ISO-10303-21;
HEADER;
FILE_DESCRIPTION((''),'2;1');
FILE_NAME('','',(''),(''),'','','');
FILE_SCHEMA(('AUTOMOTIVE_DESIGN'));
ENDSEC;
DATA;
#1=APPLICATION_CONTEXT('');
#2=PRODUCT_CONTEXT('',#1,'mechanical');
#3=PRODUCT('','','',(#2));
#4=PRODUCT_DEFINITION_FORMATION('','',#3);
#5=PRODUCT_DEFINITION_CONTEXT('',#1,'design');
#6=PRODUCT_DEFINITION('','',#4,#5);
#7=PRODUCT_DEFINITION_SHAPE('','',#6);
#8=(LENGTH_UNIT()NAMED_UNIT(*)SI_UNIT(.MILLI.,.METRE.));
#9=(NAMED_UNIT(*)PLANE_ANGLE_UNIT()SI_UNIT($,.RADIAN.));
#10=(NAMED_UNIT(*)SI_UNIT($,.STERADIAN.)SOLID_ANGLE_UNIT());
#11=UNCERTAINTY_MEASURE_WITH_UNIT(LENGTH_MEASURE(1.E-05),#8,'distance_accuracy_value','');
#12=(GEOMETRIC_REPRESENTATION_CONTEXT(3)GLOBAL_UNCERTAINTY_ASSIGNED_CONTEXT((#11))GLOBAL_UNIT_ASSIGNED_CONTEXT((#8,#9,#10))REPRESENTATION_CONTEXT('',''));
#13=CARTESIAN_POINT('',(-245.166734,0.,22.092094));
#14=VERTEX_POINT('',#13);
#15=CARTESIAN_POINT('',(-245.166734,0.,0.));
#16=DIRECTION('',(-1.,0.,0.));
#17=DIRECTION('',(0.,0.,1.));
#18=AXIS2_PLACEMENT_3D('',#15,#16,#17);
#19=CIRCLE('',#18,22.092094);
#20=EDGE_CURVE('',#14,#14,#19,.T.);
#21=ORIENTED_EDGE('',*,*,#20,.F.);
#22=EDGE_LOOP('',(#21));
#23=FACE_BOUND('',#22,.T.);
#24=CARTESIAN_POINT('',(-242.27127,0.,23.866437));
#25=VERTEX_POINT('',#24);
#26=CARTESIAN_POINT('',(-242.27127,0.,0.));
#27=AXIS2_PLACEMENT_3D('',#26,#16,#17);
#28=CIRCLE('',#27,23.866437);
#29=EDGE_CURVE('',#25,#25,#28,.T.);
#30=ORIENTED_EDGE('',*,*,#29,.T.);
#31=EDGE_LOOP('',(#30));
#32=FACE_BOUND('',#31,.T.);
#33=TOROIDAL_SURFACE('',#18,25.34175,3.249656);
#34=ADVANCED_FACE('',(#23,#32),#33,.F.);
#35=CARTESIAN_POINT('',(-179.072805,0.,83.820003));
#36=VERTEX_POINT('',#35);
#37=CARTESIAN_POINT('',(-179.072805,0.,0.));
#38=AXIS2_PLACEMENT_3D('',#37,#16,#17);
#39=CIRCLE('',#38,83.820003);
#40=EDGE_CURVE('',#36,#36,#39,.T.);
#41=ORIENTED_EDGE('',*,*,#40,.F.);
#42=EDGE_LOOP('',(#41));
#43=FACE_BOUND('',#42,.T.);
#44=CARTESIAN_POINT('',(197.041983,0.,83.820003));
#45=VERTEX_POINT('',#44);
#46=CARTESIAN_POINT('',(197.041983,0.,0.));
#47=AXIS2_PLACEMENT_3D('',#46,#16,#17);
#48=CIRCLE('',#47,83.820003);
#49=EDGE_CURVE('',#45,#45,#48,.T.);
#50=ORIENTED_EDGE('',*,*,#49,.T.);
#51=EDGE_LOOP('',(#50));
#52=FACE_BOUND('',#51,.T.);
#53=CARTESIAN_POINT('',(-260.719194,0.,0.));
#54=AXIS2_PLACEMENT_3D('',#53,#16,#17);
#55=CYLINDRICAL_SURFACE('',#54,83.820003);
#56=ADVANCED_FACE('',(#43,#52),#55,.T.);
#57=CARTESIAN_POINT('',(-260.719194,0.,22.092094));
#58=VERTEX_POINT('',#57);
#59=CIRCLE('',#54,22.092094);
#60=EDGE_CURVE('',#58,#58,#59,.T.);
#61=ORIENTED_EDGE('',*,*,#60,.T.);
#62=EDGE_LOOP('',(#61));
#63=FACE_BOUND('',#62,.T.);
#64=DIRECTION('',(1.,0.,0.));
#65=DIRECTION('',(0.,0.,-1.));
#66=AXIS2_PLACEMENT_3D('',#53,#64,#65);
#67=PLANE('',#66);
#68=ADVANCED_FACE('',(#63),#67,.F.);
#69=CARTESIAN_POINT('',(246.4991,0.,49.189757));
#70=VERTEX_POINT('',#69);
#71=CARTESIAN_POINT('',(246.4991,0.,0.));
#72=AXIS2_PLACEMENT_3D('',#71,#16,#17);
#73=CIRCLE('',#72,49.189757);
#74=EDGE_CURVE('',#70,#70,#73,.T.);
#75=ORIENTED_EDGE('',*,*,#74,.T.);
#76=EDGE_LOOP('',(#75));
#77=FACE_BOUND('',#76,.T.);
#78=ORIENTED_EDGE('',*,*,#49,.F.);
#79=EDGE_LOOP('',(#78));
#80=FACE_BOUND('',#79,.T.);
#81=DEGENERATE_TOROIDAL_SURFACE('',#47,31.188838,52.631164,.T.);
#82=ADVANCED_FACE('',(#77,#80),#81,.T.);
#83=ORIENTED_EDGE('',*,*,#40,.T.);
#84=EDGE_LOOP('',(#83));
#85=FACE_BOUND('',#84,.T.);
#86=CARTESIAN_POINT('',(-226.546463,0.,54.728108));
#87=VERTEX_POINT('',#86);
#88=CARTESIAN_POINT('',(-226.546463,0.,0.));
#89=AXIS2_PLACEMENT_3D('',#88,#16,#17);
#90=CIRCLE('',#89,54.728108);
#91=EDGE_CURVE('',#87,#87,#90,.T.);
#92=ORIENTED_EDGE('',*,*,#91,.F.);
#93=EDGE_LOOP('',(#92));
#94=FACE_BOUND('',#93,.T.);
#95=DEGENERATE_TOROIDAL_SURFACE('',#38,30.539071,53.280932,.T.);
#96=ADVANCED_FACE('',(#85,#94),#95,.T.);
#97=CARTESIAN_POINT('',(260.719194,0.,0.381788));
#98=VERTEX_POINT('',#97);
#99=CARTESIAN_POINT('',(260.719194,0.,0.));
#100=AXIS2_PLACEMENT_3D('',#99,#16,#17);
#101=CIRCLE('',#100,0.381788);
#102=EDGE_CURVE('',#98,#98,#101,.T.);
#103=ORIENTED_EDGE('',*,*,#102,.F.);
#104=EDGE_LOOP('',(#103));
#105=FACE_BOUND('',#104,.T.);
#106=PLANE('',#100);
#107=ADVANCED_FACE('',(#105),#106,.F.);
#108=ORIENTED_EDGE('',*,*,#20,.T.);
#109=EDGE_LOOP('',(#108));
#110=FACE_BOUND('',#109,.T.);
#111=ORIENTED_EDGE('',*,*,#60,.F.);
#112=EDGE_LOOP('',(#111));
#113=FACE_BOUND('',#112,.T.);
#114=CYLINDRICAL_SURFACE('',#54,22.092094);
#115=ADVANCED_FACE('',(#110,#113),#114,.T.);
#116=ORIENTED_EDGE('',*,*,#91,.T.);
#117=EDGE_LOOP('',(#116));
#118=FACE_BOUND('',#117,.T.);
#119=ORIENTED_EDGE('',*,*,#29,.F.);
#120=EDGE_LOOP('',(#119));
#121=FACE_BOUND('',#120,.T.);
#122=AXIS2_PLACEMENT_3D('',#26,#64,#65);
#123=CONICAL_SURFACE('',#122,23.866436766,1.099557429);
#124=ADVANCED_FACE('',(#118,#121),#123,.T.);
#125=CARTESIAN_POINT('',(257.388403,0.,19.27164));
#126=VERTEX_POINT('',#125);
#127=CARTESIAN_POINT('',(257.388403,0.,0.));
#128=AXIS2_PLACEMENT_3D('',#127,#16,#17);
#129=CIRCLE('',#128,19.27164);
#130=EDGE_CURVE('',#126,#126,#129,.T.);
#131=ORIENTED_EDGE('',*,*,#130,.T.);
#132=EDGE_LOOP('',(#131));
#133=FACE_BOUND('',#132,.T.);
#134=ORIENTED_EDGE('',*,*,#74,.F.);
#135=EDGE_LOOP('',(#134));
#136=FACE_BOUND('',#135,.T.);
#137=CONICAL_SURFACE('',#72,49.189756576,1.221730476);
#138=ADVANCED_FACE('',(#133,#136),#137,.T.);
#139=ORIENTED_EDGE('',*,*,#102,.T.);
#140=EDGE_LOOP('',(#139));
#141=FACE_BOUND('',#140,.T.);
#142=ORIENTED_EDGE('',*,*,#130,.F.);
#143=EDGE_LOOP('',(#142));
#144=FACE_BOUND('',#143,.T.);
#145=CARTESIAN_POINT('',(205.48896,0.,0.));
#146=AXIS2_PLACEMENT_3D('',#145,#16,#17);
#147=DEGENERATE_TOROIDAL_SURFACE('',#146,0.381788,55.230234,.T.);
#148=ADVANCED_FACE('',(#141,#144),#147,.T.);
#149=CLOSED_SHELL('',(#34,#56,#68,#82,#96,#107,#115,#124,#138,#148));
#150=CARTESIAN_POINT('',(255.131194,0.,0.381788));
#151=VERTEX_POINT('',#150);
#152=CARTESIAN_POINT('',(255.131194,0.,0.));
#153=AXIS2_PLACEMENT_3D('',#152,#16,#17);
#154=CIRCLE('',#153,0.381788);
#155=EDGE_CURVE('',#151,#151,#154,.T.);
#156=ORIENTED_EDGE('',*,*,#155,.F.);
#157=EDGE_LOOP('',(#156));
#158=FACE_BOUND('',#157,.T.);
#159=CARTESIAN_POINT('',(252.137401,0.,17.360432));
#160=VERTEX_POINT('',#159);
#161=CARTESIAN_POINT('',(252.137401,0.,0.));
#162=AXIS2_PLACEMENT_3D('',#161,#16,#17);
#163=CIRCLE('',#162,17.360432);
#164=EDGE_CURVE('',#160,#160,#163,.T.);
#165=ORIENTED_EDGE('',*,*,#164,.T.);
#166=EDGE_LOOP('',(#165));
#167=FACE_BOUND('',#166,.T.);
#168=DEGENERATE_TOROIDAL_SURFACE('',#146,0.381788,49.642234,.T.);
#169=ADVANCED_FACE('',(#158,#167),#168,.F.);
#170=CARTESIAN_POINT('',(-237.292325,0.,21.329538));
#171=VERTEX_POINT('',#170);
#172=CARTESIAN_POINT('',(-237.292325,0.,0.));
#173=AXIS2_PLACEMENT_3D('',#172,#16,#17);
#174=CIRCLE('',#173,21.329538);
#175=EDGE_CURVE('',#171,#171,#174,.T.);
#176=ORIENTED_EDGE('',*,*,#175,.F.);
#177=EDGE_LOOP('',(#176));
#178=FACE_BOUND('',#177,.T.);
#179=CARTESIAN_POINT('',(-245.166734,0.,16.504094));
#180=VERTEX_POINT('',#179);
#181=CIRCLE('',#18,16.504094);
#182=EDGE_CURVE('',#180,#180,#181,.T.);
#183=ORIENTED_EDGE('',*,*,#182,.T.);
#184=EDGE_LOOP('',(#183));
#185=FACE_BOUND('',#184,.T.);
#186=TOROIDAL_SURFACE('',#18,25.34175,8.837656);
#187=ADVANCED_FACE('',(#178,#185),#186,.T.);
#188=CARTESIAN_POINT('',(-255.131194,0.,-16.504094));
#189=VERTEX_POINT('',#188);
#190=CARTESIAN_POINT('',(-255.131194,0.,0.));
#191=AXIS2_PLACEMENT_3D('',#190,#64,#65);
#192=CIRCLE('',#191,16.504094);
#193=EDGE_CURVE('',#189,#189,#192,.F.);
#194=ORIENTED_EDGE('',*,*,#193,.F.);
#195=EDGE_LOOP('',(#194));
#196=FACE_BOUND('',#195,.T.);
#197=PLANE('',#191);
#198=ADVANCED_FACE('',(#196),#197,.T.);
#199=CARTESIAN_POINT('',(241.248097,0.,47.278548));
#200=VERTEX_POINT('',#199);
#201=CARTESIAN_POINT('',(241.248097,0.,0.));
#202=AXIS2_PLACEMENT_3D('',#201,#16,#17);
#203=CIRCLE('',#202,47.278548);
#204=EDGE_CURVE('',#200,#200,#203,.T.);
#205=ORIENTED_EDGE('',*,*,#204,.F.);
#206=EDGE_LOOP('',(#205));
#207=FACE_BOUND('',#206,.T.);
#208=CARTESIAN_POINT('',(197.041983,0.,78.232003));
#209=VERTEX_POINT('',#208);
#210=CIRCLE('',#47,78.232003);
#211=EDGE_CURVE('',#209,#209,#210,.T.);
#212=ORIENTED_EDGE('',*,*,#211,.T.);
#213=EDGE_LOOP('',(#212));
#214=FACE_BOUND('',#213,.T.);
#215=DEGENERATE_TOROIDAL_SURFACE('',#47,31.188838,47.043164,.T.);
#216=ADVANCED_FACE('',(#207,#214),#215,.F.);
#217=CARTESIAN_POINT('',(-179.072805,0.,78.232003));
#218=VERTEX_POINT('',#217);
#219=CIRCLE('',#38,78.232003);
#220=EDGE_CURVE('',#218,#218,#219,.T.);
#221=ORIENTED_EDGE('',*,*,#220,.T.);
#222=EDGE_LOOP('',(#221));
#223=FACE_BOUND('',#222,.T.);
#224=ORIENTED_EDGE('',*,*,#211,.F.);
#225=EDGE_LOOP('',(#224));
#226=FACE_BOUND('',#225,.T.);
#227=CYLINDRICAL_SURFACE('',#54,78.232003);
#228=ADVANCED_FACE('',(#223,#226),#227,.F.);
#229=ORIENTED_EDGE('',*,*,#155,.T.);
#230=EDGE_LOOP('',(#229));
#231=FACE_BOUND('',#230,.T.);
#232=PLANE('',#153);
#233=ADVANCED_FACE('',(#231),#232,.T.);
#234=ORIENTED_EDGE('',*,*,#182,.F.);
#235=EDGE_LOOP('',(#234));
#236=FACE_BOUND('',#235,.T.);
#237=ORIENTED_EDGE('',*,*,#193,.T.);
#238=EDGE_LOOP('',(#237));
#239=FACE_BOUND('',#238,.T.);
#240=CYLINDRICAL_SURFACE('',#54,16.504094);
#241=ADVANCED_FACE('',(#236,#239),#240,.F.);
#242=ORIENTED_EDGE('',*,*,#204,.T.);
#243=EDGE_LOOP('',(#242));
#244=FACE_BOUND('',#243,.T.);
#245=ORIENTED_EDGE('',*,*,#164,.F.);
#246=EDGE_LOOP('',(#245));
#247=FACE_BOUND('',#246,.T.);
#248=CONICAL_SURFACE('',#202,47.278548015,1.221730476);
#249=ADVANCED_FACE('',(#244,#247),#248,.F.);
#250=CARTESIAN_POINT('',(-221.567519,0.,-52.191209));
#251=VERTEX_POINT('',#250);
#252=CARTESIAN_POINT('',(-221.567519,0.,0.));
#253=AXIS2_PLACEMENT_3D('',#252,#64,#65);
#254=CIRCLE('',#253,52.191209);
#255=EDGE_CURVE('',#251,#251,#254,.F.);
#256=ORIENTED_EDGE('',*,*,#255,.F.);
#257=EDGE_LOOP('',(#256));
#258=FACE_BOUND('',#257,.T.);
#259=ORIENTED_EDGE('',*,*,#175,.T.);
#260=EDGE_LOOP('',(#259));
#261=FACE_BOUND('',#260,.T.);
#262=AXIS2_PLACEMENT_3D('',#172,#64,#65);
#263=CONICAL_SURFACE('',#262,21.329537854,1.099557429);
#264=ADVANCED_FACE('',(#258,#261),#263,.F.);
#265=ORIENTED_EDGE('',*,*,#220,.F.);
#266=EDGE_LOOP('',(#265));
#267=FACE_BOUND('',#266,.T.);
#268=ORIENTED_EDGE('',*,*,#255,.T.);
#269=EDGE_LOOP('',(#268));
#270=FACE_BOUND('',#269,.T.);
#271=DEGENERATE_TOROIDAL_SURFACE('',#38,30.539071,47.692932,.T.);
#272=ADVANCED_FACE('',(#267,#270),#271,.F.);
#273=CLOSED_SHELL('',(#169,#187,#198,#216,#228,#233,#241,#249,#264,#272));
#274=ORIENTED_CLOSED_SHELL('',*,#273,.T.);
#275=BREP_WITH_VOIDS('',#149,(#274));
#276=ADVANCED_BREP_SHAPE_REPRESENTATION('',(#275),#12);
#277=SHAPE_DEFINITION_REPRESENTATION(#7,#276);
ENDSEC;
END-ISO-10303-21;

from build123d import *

# Parameters (mm, degrees)
SCALE1_SCALE = 649.76746201
SHELL2_T     = 5.588


with BuildPart() as part:
    # Sketch1 → Revolve2 (revolve)
    with BuildSketch(Plane.XY):
        with BuildLine():
            Line((0.30325, 0.129), (-0.275595218, 0.129))
            ThreePointArc((-0.275595218, 0.129), (-0.3184401, 0.116916493), (-0.348657753, 0.084227221))
            Line((-0.348657753, 0.084227221), (-0.372858421, 0.036730735))
            ThreePointArc((-0.372858421, 0.036730735), (-0.374701425, 0.034736985), (-0.377314576, 0.034))
            Line((-0.377314576, 0.034), (-0.40125, 0.034))
            Line((-0.40125, 0.034), (-0.40125, 0))
            Line((-0.40125, 0), (0.40125, 0))
            Line((0.40125, 0), (0.40125, 0.000587576))
            ThreePointArc((0.40125, 0.000587576), (0.399958659, 0.015347671), (0.396123873, 0.029659288))
            Line((0.396123873, 0.029659288), (0.379365102, 0.075703632))
            ThreePointArc((0.379365102, 0.075703632), (0.349709691, 0.114351316), (0.30325, 0.129))
        make_face()
    revolve(axis=Axis((-0.40125, 0, 0), (1, 0, 0)))


with BuildPart() as part_1:
    # Scale1: scaled about (0, 0, 0)
    add(part.part.scale(SCALE1_SCALE))

    # Shell2 (no face opened: a closed hollow body)
    add(offset(amount=-SHELL2_T, mode=Mode.PRIVATE), mode=Mode.SUBTRACT)


solid = part_1.part
